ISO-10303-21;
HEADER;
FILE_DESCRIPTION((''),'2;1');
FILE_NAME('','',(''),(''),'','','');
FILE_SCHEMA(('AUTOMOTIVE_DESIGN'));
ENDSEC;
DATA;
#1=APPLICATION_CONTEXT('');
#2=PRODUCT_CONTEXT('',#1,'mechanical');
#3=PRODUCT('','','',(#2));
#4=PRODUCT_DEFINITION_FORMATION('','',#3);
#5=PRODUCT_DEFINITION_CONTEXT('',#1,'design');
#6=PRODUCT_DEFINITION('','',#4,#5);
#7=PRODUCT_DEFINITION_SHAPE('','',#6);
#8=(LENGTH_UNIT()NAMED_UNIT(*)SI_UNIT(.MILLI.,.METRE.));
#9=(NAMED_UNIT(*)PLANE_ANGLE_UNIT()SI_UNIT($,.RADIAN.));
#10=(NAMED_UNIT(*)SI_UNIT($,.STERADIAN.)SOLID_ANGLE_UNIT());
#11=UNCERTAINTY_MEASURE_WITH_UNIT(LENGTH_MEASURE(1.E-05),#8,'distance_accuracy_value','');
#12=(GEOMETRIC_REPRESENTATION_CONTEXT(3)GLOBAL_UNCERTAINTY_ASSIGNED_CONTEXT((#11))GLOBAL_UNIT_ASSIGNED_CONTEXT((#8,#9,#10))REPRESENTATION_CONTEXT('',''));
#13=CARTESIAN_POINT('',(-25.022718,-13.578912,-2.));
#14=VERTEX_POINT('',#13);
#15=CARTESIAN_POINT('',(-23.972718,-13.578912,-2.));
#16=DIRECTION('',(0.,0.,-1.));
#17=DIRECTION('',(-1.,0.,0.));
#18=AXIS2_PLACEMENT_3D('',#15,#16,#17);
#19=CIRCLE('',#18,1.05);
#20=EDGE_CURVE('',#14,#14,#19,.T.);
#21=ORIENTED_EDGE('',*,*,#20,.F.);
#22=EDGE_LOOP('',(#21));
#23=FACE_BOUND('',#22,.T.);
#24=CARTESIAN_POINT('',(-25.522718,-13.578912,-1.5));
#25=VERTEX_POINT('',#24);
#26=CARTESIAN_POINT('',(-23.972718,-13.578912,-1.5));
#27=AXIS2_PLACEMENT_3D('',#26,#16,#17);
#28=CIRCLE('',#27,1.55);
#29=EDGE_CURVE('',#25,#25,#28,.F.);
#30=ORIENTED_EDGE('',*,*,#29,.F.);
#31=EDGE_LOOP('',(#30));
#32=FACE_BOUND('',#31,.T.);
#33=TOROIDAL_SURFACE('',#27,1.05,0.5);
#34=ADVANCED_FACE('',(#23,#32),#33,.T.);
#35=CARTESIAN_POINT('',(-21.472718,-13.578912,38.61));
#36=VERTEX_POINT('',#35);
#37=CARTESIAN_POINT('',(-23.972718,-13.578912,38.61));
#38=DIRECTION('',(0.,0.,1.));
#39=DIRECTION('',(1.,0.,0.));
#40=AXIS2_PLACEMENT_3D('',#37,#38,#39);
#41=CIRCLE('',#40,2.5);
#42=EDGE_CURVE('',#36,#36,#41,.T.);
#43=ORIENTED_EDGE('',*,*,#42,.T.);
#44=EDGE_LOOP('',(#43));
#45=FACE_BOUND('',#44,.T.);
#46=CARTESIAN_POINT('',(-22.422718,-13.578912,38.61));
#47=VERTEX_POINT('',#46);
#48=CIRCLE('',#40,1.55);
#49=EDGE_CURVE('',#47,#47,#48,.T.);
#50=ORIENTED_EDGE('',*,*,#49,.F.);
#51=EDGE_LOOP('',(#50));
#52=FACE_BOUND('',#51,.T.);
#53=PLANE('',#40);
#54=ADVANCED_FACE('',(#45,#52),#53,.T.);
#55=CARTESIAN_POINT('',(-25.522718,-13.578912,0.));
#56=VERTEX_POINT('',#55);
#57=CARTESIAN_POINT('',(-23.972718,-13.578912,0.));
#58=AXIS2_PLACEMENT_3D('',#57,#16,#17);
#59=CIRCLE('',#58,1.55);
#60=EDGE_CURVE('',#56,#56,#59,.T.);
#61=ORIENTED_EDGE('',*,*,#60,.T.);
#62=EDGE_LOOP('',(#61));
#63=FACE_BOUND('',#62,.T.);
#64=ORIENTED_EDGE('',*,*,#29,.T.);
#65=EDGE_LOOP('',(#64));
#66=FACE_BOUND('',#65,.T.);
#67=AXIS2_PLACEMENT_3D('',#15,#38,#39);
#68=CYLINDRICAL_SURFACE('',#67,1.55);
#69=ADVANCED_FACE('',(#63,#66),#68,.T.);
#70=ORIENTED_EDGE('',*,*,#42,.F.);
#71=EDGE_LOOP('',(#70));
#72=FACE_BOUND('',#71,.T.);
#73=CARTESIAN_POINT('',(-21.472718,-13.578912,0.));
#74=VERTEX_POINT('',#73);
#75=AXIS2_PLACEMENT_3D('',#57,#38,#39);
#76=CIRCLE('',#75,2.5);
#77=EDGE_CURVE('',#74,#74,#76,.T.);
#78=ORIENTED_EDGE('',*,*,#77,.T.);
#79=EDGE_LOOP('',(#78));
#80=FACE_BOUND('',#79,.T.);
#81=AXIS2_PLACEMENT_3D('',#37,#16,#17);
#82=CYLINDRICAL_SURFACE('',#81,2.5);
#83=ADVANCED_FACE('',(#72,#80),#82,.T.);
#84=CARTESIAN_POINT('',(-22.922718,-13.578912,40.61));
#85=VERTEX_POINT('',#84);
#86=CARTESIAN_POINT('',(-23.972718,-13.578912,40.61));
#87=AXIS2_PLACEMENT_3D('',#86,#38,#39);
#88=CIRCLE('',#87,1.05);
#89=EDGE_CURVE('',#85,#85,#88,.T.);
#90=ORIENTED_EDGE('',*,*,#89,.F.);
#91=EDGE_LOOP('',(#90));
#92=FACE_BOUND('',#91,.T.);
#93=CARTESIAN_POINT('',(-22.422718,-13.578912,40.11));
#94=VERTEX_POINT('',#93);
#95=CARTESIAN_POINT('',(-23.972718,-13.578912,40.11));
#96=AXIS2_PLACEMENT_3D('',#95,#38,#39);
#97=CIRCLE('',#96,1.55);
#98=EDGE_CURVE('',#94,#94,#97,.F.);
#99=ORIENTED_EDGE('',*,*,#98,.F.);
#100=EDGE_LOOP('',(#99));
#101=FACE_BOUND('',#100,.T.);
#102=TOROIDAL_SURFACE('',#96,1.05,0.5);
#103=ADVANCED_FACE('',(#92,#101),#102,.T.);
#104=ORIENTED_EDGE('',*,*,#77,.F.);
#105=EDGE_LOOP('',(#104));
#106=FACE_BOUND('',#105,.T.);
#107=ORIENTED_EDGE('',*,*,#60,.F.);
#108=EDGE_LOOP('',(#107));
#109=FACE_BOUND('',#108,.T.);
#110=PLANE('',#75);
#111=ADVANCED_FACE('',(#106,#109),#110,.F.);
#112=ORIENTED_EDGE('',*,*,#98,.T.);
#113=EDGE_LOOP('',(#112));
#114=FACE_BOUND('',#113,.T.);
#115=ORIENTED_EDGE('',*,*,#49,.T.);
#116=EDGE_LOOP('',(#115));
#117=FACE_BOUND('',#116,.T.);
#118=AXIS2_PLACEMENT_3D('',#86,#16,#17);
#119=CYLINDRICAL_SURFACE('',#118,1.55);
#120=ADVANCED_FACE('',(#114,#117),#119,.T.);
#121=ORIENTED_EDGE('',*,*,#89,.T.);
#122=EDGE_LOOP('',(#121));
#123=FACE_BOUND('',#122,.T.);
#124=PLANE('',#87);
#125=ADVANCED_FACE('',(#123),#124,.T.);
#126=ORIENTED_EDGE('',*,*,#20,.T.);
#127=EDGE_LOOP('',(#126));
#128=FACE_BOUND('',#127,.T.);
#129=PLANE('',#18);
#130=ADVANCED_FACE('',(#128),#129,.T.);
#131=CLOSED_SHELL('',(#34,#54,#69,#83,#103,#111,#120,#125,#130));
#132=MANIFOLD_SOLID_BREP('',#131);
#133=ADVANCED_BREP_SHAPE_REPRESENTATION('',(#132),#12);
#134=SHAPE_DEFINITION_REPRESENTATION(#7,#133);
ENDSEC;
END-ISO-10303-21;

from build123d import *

# Parameters (mm, degrees)
SKETCH1_R           = 2.5
BOSS_EXTRUDE1_DEPTH = 38.61
SKETCH2_R           = 1.55
BOSS_EXTRUDE2_DEPTH = 2
FILLET1_R           = 0.5
BOSS_EXTRUDE3_START = 2
SKETCH3_R           = 1.55
BOSS_EXTRUDE3_DEPTH = 2
FILLET2_R           = 0.5


with BuildPart() as part:
    # Sketch1 → Boss-Extrude1 (new body)
    with BuildSketch(Plane.XY):
        with Locations((-23.972717512, -13.578911998)):
            Circle(SKETCH1_R)
    extrude(amount=BOSS_EXTRUDE1_DEPTH)

    # Sketch2 → Boss-Extrude2 (add)
    with BuildSketch(Plane.XY.offset(38.61)):
        with Locations((-23.972717512, -13.578911998)):
            Circle(SKETCH2_R)
    extrude(amount=BOSS_EXTRUDE2_DEPTH)

    # Fillet1
    fillet1_edges = [part.edges().sort_by_distance(p)[0] for p in [
        (-25.522717512, -13.578911998, 40.61),
    ]]
    fillet(fillet1_edges, radius=FILLET1_R)

    # Sketch3 → Boss-Extrude3 (add)
    with BuildSketch(Plane(origin=(0, 0, 0), x_dir=(-1, 0, 0), z_dir=(0, 0, -1)).offset(BOSS_EXTRUDE3_START)):
        with Locations(Location((23.972717512, -13.578911998, 0), (0, 0, 180))):
            Circle(SKETCH3_R)
    extrude(amount=-BOSS_EXTRUDE3_DEPTH)

    # Fillet2
    fillet2_edges = [part.edges().sort_by_distance(p)[0] for p in [
        (-25.522717512, -13.578911998, -2),
    ]]
    fillet(fillet2_edges, radius=FILLET2_R)


solid = part.part
